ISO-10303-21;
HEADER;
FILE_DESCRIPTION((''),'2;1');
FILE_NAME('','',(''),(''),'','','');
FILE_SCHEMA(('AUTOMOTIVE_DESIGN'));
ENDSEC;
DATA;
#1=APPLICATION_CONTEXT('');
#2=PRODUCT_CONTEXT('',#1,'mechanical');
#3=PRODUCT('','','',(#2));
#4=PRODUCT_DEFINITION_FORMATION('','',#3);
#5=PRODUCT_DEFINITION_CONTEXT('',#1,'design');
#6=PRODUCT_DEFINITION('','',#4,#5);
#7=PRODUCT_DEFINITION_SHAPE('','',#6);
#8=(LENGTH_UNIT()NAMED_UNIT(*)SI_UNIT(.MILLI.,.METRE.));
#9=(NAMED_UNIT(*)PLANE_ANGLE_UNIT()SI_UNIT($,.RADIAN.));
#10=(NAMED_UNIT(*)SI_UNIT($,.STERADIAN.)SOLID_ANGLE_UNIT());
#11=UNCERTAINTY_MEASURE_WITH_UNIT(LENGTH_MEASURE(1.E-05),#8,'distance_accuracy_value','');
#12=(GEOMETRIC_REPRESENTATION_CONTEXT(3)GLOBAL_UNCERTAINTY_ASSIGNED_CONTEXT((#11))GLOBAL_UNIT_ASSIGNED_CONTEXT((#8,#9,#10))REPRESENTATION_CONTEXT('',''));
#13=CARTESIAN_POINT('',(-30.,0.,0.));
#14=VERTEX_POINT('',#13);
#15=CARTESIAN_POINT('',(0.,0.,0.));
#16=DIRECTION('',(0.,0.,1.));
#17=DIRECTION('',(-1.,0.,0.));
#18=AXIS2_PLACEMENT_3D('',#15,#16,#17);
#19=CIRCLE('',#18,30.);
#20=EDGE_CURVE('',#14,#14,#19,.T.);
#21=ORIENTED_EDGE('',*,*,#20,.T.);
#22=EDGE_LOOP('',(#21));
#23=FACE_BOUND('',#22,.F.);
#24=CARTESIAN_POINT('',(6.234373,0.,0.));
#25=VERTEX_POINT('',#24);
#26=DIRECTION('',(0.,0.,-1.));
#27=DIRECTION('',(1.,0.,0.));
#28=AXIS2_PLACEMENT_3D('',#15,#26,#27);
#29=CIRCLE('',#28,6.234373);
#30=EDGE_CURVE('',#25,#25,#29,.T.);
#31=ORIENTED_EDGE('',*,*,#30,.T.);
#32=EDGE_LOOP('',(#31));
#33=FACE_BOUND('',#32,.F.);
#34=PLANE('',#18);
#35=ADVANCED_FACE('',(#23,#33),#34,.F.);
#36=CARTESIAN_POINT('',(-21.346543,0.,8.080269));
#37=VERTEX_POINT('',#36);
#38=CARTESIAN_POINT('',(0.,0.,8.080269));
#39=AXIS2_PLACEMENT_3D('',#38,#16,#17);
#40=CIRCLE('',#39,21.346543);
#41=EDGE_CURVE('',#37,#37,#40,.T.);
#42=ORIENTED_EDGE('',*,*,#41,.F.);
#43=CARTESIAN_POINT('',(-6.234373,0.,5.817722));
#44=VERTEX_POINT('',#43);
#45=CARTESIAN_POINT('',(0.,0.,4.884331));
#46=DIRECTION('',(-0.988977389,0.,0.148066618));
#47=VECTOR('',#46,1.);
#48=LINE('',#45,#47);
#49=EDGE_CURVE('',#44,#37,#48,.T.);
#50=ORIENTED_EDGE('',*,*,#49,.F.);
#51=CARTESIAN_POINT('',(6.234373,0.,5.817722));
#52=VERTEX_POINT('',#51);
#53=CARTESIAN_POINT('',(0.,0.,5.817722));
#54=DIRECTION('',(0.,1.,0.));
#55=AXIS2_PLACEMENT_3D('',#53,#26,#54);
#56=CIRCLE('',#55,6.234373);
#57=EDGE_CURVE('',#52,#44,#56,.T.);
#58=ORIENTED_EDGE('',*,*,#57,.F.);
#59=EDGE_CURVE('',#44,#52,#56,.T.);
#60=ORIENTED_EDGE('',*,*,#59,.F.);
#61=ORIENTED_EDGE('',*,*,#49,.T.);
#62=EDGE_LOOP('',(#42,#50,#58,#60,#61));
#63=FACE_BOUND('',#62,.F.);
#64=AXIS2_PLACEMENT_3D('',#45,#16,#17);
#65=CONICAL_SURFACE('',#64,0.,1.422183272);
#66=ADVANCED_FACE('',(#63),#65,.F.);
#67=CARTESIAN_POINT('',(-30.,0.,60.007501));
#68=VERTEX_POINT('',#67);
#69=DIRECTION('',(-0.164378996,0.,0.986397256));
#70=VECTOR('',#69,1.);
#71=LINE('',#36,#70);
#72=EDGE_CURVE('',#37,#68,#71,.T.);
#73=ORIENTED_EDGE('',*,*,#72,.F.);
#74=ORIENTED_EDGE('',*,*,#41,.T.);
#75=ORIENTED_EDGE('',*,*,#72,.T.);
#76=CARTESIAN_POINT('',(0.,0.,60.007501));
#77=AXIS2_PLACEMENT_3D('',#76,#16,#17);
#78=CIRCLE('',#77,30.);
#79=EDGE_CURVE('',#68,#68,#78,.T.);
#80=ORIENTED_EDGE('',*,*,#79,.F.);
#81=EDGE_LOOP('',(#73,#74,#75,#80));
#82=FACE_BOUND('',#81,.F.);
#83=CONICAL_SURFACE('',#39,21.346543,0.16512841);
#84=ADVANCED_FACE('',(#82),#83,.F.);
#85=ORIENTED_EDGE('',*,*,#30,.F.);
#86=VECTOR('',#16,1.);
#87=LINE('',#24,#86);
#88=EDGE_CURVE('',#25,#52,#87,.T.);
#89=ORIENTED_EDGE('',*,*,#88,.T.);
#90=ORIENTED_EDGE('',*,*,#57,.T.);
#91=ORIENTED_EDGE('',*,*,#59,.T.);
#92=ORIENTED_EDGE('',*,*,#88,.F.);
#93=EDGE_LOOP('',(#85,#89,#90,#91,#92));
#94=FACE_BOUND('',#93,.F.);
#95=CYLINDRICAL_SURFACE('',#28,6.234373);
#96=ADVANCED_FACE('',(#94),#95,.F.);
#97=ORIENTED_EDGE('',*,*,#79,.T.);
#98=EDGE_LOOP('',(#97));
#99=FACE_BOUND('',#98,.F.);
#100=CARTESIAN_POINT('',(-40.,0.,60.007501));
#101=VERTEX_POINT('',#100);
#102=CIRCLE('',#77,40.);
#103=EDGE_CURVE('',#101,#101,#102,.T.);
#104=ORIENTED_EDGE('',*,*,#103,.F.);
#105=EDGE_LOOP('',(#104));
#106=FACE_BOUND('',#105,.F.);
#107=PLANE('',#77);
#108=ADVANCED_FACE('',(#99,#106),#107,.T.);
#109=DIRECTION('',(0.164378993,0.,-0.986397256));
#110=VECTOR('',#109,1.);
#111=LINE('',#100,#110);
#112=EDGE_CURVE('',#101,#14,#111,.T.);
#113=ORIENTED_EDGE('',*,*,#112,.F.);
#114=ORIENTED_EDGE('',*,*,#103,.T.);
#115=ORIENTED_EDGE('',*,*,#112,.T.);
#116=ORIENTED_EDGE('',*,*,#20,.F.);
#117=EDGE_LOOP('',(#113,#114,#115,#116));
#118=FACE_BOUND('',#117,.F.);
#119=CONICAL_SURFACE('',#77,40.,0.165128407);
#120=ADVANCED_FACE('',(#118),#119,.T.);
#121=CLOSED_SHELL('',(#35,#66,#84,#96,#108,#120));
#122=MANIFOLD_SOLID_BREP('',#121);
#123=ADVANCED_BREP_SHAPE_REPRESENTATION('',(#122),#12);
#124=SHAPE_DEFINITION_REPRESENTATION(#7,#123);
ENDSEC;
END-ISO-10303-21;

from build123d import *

# Parameters (mm, degrees)
F2_R     = 6.234373
F3_DEPTH = 60.008501


with BuildPart() as f1:
    # F0 (on Front) → F1 (revolve)
    with BuildSketch(Plane.XZ):
        Polygon((-30, 0), (0, 0), (0, 4.884331), (-21.346543, 8.080269), (-30, 60.007501), (-40, 60.007501), align=None)
    revolve(axis=Axis((0, 0, 2.442166), (0, 0, 1)))

    # F2 (on face) → F3 (cut, through all)
    with BuildSketch(Plane(origin=(0, 0, 0), x_dir=(1, 0, 0), z_dir=(0, 0, -1))):
        Circle(F2_R)
    extrude(amount=-F3_DEPTH, mode=Mode.SUBTRACT)


solid = f1.part
